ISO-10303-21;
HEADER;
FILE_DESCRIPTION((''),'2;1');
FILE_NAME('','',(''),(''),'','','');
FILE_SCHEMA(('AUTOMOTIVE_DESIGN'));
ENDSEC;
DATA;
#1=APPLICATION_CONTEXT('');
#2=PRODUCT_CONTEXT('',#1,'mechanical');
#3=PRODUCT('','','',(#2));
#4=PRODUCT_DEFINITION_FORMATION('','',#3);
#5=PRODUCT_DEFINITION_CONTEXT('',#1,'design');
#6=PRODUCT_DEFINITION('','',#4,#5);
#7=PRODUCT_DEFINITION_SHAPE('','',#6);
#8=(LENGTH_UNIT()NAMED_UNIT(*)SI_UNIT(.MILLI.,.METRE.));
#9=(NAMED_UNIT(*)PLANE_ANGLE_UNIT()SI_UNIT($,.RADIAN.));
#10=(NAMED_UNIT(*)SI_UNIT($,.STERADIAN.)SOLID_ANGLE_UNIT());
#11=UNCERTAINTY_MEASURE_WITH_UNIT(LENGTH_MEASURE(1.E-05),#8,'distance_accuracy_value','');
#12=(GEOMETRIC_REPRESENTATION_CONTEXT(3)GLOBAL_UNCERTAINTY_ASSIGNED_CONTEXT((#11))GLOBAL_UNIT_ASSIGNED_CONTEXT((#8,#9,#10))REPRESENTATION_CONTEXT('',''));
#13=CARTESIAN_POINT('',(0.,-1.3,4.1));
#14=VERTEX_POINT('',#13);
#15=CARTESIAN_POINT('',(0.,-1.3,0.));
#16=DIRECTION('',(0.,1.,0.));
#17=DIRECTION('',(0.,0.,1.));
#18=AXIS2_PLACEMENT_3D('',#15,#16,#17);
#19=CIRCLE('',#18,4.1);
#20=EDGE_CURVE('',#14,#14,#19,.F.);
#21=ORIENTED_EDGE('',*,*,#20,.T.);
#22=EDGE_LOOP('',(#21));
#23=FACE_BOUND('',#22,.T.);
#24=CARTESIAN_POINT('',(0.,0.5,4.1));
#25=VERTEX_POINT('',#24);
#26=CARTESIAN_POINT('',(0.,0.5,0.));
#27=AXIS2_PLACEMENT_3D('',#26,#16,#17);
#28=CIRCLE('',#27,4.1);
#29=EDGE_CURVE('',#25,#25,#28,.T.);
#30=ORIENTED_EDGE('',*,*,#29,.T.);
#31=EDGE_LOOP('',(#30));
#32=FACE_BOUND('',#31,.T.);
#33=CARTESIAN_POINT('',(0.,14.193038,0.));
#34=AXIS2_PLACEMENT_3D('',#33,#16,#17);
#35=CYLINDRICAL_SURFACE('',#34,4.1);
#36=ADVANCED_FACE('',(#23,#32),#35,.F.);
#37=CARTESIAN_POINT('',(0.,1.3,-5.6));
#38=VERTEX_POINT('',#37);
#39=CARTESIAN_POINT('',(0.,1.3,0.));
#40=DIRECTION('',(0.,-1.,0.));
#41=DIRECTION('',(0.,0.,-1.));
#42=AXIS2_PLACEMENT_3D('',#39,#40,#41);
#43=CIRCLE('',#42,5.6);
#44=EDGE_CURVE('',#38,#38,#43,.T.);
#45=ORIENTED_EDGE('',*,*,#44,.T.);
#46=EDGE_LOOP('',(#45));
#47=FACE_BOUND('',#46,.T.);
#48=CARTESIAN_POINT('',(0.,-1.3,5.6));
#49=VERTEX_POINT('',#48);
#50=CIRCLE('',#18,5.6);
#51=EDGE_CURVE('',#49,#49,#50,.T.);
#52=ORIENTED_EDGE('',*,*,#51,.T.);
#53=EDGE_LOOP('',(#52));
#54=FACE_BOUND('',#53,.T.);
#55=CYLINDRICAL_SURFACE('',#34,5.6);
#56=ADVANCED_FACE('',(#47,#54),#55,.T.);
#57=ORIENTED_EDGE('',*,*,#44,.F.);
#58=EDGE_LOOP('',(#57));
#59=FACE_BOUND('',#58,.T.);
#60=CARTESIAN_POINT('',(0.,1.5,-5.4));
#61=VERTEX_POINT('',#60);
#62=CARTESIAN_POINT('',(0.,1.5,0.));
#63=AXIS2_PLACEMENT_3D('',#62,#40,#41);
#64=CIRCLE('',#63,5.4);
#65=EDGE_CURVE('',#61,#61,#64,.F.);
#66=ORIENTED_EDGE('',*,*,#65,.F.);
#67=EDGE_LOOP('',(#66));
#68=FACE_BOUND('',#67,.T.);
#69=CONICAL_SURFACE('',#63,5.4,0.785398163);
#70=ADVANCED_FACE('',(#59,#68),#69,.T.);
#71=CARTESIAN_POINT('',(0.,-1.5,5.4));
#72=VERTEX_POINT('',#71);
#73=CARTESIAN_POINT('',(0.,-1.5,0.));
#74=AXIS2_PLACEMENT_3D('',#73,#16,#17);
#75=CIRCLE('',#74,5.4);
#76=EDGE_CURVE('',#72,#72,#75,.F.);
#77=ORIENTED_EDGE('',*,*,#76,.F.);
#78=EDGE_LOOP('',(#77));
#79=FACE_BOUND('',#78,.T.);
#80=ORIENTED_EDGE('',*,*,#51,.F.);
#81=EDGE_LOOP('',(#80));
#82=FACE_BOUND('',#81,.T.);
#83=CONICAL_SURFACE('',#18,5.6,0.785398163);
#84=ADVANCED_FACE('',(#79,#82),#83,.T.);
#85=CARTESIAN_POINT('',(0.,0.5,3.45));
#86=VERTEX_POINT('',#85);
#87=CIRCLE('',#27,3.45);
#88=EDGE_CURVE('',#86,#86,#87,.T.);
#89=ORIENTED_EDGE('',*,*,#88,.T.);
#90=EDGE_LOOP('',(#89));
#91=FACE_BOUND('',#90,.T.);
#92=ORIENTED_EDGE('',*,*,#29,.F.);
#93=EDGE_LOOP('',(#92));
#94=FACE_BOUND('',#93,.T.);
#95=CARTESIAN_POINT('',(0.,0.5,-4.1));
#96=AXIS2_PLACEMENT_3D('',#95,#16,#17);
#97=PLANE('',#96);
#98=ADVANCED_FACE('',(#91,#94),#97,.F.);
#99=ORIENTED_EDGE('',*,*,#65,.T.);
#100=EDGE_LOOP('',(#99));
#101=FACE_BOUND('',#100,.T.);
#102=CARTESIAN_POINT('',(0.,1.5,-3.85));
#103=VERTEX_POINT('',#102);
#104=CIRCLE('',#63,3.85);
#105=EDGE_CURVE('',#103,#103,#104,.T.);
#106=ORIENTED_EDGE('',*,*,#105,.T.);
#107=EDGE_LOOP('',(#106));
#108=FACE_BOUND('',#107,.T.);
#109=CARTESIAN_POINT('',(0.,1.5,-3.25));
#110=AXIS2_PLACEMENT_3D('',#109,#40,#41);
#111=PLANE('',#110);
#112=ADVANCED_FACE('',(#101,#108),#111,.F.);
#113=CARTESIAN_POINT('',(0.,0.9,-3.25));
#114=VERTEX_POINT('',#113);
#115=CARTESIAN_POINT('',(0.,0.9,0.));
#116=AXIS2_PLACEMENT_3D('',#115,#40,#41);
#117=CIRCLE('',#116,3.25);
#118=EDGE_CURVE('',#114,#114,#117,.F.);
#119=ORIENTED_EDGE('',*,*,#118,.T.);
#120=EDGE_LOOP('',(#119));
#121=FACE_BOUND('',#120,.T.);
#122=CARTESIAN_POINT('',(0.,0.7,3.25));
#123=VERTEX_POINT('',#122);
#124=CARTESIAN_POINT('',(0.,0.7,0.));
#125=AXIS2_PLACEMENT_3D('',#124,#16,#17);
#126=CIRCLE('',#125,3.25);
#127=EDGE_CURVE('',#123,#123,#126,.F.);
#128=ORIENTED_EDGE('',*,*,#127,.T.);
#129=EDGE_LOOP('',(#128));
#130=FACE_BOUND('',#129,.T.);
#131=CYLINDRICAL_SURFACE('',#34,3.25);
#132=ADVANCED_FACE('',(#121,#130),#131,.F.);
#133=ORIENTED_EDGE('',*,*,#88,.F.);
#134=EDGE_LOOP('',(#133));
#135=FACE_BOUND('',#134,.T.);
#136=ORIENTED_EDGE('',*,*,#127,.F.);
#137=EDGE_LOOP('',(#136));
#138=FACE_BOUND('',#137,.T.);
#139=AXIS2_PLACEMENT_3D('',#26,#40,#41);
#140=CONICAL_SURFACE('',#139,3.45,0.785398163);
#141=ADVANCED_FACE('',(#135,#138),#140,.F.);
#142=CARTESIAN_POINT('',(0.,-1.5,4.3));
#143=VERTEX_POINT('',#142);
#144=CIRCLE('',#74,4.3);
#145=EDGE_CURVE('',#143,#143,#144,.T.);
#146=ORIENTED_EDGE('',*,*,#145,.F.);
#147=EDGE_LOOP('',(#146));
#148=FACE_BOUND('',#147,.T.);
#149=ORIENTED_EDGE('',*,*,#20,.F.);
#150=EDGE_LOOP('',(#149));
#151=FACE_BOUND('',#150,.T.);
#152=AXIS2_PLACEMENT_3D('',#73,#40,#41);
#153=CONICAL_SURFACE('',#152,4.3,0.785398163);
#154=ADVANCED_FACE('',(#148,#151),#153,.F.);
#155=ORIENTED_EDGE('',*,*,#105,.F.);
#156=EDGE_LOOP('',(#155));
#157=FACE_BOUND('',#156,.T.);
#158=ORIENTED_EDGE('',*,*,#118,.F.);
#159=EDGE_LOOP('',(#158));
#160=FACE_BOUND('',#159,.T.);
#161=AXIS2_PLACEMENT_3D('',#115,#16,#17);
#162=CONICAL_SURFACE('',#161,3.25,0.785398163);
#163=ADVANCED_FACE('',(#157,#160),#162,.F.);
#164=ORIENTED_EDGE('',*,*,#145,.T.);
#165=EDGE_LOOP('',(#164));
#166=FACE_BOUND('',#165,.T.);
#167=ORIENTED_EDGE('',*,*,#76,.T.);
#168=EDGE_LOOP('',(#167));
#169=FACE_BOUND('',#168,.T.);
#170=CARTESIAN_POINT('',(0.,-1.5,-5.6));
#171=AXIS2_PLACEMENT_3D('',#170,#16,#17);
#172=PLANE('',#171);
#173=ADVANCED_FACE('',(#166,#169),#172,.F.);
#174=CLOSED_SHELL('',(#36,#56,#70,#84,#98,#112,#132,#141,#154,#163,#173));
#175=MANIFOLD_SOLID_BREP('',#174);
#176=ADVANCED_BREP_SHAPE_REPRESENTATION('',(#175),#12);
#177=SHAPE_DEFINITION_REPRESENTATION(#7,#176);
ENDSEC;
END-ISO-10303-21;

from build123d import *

# Parameters (mm, degrees)
FASE1_SIZE = 0.2
FASE2_SIZE = 0.6


with BuildPart() as part:
    # Skizze1 → Rotation1 (revolve)
    with BuildSketch(Plane(origin=(0, 0, 0), x_dir=(0, 0, -1), z_dir=(1, 0, 0))):
        Polygon((4.1, -1.5), (4.1, 0.5), (3.25, 0.5), (3.25, 1.5), (5.6, 1.5), (5.6, -1.5), align=None)
    revolve(axis=Axis((0, 14.193037975, 0), (0, -1, 0)))

    # Fase1
    fase1_edges = [part.edges().sort_by_distance(p)[0] for p in [
        (0, -1.5, 5.6),
        (0, 1.5, 5.6),
        (0, 0.5, 3.25),
        (0, -1.5, 4.1),
    ]]
    chamfer(fase1_edges, length=FASE1_SIZE)

    # Fase2
    fase2_edges = [part.edges().sort_by_distance(p)[0] for p in [
        (0, 1.5, 3.25),
    ]]
    chamfer(fase2_edges, length=FASE2_SIZE)


solid = part.part
